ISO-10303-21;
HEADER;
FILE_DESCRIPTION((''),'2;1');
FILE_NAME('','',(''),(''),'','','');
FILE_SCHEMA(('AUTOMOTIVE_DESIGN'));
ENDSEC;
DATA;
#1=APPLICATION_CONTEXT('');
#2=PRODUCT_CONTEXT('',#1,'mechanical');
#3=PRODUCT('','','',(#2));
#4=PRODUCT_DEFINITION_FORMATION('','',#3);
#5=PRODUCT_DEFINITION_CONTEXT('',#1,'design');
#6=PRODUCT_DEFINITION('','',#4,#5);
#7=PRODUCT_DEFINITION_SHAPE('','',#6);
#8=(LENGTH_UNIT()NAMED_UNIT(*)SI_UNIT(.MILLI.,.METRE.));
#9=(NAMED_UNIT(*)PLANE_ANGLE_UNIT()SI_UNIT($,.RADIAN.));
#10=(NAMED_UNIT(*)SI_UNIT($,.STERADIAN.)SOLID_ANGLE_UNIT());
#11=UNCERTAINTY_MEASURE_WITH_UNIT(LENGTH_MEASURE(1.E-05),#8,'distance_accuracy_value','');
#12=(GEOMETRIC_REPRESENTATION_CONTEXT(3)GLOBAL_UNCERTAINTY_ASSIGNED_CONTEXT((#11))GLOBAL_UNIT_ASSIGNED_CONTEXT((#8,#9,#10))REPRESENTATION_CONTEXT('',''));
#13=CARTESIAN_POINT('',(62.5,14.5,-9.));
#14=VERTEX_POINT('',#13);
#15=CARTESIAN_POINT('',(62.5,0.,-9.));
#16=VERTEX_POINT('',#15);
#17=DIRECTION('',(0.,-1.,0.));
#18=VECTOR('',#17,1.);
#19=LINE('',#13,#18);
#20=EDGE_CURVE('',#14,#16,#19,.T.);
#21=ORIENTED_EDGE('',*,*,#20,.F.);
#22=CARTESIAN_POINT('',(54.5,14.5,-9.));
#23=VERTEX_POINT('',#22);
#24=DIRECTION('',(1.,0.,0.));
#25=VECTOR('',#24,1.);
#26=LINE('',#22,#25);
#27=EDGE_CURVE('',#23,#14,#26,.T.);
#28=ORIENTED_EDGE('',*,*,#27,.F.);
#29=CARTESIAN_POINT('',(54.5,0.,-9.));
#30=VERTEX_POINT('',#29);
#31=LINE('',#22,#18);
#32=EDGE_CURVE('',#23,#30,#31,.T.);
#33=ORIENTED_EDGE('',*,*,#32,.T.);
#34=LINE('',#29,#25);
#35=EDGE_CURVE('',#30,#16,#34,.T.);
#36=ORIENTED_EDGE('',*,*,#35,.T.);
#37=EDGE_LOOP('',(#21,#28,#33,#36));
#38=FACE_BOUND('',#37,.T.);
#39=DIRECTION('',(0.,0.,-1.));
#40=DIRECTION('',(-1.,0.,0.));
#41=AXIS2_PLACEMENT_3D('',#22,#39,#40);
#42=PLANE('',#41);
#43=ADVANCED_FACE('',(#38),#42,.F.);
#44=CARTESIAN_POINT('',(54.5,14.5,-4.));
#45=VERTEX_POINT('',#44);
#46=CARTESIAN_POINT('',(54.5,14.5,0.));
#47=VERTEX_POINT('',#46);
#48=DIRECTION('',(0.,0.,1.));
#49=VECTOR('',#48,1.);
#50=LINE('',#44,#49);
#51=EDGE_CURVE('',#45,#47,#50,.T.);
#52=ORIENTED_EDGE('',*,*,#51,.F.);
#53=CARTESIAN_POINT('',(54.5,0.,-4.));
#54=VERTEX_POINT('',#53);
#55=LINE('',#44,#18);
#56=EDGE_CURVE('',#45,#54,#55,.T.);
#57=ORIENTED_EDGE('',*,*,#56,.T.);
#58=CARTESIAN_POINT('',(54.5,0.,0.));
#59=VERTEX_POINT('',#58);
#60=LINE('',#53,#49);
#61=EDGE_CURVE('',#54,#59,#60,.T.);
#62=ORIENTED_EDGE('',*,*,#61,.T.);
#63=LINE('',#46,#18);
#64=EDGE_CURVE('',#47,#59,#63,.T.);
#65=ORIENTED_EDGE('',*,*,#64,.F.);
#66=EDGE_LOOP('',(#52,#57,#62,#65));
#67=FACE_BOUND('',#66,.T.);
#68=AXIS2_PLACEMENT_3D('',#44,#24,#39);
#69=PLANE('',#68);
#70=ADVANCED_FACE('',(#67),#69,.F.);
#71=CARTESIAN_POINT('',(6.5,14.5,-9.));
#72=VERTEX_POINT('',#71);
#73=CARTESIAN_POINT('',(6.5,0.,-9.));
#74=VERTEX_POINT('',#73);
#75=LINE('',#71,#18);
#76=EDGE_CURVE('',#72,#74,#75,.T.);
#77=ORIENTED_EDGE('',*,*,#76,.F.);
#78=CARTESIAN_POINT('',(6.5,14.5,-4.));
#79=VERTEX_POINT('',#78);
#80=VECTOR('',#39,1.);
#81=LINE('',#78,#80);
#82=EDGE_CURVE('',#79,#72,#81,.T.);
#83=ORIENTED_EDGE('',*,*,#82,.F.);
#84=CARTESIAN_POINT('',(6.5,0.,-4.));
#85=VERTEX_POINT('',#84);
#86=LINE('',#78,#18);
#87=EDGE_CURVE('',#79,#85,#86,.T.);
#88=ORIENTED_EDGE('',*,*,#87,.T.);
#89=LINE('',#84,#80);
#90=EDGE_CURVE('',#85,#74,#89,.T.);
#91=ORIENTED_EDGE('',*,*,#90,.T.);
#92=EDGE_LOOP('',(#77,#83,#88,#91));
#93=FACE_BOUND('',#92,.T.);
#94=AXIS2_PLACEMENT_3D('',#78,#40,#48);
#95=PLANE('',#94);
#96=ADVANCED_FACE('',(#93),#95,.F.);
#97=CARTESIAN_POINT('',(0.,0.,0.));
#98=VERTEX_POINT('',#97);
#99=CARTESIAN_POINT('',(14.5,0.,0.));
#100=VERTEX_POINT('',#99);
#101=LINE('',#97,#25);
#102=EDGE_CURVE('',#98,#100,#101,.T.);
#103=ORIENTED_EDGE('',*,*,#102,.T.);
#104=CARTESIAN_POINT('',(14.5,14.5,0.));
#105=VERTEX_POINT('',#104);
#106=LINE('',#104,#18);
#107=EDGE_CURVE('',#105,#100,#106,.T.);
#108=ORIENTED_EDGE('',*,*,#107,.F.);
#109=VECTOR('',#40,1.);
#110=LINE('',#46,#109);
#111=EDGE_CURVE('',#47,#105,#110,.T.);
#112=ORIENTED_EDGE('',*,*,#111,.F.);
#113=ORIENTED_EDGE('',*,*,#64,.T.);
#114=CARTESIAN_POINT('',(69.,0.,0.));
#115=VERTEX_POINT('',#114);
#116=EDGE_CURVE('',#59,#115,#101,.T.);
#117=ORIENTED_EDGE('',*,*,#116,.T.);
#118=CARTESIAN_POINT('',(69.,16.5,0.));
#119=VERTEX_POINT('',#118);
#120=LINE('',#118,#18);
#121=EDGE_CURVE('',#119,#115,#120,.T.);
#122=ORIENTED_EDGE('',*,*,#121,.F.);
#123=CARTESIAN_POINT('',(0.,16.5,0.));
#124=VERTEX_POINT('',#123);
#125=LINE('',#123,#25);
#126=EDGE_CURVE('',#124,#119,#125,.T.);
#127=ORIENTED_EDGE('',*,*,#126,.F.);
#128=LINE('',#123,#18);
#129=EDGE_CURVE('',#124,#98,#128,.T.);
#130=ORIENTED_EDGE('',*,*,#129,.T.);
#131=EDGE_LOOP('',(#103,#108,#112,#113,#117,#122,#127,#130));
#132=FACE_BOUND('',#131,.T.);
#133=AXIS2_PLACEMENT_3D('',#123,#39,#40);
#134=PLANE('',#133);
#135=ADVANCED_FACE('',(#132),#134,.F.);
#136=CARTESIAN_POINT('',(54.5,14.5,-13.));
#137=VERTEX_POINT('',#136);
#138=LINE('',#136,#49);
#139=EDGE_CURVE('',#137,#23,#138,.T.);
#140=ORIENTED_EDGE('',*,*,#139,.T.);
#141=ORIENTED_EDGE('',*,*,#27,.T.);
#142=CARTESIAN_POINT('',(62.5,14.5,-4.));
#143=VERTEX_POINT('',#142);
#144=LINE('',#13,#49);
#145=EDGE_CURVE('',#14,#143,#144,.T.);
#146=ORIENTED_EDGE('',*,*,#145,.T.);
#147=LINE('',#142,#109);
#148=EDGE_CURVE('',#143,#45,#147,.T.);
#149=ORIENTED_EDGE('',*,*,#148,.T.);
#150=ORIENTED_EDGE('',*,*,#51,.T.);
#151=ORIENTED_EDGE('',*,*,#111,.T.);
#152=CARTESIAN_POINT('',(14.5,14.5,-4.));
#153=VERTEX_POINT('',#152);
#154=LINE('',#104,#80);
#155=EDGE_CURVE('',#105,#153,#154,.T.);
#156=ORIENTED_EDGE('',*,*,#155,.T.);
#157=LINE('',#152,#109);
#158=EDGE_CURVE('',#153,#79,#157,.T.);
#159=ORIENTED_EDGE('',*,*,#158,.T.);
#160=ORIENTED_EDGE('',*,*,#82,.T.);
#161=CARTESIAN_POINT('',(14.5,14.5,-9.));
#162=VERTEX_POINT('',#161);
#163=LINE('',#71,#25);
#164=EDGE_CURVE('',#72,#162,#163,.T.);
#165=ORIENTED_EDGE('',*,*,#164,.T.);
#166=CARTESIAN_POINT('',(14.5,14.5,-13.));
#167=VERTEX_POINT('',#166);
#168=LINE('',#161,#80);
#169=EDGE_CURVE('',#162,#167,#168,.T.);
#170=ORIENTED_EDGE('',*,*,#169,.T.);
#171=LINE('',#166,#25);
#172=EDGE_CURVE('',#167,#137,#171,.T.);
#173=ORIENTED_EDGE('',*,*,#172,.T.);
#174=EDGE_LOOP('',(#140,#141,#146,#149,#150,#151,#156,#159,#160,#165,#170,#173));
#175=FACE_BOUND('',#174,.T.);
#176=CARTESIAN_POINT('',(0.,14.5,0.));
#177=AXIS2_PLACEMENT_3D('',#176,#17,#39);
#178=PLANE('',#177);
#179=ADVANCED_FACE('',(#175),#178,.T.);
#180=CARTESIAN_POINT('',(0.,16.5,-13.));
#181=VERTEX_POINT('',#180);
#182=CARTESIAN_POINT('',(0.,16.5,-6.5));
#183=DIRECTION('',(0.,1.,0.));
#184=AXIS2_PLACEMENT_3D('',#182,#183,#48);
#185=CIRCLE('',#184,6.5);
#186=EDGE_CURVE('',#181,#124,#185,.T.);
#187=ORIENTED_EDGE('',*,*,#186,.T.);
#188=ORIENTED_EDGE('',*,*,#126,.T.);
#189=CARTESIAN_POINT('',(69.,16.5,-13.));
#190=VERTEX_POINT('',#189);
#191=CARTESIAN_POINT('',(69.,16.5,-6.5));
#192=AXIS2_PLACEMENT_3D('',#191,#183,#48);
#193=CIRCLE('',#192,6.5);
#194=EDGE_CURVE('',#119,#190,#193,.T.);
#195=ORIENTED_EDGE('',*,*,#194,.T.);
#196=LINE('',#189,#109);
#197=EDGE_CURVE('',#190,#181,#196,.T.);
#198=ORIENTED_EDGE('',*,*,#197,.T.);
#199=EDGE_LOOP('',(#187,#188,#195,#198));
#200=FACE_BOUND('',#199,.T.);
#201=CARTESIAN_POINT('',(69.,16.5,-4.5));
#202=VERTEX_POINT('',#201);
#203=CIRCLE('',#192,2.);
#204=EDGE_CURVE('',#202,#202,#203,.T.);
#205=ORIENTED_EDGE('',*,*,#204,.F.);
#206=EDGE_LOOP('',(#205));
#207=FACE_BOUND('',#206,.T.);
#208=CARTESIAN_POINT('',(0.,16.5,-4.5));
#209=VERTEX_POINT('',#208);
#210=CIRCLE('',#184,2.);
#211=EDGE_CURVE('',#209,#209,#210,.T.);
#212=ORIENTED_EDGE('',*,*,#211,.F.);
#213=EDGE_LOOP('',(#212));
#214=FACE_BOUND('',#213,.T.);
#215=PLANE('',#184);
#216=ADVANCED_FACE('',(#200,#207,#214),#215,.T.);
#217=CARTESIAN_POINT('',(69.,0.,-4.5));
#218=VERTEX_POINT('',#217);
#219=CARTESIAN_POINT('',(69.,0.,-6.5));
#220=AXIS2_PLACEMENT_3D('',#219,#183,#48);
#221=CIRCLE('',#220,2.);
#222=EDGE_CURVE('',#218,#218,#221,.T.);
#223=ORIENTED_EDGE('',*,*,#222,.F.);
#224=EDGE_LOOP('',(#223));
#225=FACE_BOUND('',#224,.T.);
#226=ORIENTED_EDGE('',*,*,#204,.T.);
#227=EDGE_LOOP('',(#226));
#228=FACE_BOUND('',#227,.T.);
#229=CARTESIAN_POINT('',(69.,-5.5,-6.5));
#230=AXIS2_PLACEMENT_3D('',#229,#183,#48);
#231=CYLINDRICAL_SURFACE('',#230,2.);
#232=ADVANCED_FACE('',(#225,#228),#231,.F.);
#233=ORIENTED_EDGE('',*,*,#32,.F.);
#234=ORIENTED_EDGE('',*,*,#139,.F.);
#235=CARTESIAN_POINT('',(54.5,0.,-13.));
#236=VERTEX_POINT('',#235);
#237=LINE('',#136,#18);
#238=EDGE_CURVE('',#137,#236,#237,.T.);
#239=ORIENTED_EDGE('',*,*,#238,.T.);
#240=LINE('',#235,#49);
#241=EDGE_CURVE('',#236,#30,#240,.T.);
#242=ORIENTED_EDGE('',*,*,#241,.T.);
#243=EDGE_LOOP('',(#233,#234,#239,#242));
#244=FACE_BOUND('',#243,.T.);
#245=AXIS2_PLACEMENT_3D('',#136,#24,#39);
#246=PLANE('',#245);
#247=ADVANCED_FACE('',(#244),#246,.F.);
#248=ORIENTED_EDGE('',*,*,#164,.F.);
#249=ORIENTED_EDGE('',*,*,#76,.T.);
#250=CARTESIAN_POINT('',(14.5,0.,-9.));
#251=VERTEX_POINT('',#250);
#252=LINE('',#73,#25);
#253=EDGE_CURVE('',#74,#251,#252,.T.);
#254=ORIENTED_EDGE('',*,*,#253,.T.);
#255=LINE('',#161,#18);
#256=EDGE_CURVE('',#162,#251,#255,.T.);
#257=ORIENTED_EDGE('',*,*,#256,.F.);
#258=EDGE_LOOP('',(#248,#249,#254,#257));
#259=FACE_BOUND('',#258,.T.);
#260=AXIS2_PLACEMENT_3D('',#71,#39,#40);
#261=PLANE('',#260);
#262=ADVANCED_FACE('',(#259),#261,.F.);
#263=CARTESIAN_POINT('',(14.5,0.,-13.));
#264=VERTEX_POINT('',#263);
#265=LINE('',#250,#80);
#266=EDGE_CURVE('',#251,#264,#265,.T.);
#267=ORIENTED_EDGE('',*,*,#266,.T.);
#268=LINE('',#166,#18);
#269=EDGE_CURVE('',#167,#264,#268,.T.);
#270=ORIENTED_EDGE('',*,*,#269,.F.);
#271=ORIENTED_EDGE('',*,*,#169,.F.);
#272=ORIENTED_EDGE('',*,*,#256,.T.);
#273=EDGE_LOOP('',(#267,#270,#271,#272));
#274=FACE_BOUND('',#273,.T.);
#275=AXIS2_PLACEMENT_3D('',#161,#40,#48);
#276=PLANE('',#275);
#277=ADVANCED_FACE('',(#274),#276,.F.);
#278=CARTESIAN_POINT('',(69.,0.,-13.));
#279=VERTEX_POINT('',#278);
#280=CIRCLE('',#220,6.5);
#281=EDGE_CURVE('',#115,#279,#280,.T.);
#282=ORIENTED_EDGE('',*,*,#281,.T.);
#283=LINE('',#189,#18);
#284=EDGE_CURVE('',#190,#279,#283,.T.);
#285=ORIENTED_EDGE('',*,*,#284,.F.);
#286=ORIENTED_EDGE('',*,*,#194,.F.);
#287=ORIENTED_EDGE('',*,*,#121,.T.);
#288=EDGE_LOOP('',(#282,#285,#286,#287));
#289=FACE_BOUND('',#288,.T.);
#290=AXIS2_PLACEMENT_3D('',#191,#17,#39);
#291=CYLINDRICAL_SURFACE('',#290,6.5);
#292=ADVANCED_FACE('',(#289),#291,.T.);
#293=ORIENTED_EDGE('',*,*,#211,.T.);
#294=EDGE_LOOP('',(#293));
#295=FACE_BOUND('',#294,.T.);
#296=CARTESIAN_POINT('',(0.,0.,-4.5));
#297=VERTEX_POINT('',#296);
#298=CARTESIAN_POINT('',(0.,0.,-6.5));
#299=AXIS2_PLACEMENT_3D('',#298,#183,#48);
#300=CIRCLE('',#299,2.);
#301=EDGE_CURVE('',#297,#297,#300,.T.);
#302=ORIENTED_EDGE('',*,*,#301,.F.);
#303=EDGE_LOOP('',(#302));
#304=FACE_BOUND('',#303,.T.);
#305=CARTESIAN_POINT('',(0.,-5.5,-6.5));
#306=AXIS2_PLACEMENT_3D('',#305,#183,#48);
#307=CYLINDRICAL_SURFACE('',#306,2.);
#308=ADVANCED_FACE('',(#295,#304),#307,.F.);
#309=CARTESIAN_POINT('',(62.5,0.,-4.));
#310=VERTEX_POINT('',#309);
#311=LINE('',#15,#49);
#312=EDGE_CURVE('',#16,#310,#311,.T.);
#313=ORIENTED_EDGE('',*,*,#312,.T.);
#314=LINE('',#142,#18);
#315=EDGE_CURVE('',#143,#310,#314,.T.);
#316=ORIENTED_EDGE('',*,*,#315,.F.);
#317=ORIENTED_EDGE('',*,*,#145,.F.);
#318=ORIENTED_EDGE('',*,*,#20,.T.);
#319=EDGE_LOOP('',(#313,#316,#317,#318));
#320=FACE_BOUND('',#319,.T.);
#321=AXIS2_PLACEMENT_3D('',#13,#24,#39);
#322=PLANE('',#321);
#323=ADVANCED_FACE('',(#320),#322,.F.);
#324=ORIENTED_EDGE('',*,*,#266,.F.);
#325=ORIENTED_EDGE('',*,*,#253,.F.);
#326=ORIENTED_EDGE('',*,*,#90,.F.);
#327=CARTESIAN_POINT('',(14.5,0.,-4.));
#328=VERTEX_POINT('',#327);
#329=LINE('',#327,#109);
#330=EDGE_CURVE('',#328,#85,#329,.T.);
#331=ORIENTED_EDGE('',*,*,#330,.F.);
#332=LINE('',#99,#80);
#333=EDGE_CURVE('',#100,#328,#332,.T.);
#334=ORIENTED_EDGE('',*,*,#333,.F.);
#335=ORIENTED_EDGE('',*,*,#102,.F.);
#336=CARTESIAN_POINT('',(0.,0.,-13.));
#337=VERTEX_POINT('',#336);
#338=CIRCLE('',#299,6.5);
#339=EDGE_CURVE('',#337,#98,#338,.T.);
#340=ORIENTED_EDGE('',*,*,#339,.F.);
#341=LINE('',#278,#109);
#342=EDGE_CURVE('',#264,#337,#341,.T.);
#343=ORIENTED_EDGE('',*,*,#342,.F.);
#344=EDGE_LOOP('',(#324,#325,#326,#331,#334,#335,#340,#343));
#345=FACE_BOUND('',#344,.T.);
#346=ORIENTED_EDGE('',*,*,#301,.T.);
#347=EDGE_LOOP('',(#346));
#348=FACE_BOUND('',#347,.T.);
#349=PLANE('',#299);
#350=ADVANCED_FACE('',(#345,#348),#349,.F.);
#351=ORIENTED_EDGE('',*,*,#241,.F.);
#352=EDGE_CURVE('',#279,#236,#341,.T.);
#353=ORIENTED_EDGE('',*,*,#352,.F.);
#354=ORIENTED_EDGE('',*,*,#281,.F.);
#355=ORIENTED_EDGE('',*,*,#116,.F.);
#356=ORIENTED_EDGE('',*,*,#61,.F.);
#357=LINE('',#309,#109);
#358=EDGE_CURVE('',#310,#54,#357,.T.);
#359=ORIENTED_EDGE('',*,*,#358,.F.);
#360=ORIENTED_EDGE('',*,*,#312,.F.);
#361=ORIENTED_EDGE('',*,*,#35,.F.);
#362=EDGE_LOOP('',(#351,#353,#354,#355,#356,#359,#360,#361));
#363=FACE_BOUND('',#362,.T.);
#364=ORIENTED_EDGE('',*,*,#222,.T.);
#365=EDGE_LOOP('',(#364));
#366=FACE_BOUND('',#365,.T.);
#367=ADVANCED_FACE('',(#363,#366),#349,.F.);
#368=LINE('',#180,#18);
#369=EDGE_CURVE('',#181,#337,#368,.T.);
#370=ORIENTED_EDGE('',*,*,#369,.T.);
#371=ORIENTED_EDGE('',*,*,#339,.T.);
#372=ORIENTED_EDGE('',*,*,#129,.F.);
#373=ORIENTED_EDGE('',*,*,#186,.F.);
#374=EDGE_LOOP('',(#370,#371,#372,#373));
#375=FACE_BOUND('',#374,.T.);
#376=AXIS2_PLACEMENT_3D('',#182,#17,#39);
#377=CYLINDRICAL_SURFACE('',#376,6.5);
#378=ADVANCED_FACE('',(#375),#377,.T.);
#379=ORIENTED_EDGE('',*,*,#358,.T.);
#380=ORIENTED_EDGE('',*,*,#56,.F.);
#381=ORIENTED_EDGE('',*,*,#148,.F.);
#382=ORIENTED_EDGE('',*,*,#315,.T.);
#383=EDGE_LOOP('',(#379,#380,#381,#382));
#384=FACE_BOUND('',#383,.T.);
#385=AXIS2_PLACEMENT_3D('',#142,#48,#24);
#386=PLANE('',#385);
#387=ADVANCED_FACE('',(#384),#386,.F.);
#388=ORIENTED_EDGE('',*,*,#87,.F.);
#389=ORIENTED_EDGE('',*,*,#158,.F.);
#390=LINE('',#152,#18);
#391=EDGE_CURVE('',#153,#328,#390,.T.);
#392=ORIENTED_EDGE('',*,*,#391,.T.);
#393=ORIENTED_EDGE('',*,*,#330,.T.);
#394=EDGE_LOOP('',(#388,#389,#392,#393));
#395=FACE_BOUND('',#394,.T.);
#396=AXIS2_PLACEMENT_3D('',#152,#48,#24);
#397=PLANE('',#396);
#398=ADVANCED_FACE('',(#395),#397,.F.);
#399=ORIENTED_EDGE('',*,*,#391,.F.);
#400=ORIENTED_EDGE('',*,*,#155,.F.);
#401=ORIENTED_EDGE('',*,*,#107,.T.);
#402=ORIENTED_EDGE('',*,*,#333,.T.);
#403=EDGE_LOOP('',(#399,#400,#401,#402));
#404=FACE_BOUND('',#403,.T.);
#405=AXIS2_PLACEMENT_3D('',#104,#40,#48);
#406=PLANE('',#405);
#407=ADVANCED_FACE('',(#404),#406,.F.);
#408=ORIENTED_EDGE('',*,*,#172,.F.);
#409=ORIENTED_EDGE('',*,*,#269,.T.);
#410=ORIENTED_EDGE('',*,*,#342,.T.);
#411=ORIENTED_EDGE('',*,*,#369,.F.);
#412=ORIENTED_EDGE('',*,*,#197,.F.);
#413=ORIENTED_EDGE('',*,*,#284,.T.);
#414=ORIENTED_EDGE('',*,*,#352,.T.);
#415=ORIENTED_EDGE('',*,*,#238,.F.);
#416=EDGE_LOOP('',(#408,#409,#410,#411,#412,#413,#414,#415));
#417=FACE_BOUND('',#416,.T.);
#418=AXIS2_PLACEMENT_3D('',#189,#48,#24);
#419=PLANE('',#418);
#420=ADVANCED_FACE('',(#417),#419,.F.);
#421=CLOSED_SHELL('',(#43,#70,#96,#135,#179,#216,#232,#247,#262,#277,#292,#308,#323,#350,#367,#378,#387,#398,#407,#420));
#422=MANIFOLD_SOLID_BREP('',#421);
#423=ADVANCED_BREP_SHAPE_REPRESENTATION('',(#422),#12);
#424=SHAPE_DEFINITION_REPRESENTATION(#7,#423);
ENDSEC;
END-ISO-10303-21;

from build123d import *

# Parameters (mm, degrees)
BOSS_EXTRU_1_DEPTH      = 16.5
ESQUISSE2_R             = 2
ENL_V_MAT_EXTRU_1_DEPTH = 22
ENL_V_MAT_EXTRU_2_DEPTH = 14.5


with BuildPart() as part:
    # Esquisse1 → Boss.-Extru.1 (new body)
    with BuildSketch(Plane(origin=(0, 0, 0), x_dir=(1, 0, 0), z_dir=(0, 1, 0))):
        with BuildLine():
            Line((0, 0), (69, 0))
            ThreePointArc((69, 0), (75.5, 6.5), (69, 13))
            Line((69, 13), (0, 13))
            ThreePointArc((0, 13), (-6.5, 6.5), (0, 0))
        make_face()
    extrude(amount=BOSS_EXTRU_1_DEPTH)

    # Esquisse2 → Enlèv. mat.-Extru.1 (cut)
    with BuildSketch(Plane(origin=(0, 16.5, 0), x_dir=(1, 0, 0), z_dir=(0, 1, 0))):
        with Locations(Location((0, 6.5, 0), (0, 0, 270))):
            Circle(ESQUISSE2_R)
        with Locations(Location((69, 6.5, 0), (0, 0, 270))):
            Circle(ESQUISSE2_R)
    extrude(amount=-ENL_V_MAT_EXTRU_1_DEPTH, mode=Mode.SUBTRACT)

    # Esquisse3 → Enlèv. mat.-Extru.2 (cut)
    with BuildSketch(Plane(origin=(0, 0, 0), x_dir=(-1, 0, 0), z_dir=(0, -1, 0))):
        Polygon((-54.5, 13), (-54.5, 9), (-62.5, 9), (-62.5, 4), (-54.5, 4), (-54.5, 0), (-14.5, 0), (-14.5, 4), (-6.5, 4), (-6.5, 9), (-14.5, 9), (-14.5, 13), align=None)
    extrude(amount=-ENL_V_MAT_EXTRU_2_DEPTH, mode=Mode.SUBTRACT)


solid = part.part
